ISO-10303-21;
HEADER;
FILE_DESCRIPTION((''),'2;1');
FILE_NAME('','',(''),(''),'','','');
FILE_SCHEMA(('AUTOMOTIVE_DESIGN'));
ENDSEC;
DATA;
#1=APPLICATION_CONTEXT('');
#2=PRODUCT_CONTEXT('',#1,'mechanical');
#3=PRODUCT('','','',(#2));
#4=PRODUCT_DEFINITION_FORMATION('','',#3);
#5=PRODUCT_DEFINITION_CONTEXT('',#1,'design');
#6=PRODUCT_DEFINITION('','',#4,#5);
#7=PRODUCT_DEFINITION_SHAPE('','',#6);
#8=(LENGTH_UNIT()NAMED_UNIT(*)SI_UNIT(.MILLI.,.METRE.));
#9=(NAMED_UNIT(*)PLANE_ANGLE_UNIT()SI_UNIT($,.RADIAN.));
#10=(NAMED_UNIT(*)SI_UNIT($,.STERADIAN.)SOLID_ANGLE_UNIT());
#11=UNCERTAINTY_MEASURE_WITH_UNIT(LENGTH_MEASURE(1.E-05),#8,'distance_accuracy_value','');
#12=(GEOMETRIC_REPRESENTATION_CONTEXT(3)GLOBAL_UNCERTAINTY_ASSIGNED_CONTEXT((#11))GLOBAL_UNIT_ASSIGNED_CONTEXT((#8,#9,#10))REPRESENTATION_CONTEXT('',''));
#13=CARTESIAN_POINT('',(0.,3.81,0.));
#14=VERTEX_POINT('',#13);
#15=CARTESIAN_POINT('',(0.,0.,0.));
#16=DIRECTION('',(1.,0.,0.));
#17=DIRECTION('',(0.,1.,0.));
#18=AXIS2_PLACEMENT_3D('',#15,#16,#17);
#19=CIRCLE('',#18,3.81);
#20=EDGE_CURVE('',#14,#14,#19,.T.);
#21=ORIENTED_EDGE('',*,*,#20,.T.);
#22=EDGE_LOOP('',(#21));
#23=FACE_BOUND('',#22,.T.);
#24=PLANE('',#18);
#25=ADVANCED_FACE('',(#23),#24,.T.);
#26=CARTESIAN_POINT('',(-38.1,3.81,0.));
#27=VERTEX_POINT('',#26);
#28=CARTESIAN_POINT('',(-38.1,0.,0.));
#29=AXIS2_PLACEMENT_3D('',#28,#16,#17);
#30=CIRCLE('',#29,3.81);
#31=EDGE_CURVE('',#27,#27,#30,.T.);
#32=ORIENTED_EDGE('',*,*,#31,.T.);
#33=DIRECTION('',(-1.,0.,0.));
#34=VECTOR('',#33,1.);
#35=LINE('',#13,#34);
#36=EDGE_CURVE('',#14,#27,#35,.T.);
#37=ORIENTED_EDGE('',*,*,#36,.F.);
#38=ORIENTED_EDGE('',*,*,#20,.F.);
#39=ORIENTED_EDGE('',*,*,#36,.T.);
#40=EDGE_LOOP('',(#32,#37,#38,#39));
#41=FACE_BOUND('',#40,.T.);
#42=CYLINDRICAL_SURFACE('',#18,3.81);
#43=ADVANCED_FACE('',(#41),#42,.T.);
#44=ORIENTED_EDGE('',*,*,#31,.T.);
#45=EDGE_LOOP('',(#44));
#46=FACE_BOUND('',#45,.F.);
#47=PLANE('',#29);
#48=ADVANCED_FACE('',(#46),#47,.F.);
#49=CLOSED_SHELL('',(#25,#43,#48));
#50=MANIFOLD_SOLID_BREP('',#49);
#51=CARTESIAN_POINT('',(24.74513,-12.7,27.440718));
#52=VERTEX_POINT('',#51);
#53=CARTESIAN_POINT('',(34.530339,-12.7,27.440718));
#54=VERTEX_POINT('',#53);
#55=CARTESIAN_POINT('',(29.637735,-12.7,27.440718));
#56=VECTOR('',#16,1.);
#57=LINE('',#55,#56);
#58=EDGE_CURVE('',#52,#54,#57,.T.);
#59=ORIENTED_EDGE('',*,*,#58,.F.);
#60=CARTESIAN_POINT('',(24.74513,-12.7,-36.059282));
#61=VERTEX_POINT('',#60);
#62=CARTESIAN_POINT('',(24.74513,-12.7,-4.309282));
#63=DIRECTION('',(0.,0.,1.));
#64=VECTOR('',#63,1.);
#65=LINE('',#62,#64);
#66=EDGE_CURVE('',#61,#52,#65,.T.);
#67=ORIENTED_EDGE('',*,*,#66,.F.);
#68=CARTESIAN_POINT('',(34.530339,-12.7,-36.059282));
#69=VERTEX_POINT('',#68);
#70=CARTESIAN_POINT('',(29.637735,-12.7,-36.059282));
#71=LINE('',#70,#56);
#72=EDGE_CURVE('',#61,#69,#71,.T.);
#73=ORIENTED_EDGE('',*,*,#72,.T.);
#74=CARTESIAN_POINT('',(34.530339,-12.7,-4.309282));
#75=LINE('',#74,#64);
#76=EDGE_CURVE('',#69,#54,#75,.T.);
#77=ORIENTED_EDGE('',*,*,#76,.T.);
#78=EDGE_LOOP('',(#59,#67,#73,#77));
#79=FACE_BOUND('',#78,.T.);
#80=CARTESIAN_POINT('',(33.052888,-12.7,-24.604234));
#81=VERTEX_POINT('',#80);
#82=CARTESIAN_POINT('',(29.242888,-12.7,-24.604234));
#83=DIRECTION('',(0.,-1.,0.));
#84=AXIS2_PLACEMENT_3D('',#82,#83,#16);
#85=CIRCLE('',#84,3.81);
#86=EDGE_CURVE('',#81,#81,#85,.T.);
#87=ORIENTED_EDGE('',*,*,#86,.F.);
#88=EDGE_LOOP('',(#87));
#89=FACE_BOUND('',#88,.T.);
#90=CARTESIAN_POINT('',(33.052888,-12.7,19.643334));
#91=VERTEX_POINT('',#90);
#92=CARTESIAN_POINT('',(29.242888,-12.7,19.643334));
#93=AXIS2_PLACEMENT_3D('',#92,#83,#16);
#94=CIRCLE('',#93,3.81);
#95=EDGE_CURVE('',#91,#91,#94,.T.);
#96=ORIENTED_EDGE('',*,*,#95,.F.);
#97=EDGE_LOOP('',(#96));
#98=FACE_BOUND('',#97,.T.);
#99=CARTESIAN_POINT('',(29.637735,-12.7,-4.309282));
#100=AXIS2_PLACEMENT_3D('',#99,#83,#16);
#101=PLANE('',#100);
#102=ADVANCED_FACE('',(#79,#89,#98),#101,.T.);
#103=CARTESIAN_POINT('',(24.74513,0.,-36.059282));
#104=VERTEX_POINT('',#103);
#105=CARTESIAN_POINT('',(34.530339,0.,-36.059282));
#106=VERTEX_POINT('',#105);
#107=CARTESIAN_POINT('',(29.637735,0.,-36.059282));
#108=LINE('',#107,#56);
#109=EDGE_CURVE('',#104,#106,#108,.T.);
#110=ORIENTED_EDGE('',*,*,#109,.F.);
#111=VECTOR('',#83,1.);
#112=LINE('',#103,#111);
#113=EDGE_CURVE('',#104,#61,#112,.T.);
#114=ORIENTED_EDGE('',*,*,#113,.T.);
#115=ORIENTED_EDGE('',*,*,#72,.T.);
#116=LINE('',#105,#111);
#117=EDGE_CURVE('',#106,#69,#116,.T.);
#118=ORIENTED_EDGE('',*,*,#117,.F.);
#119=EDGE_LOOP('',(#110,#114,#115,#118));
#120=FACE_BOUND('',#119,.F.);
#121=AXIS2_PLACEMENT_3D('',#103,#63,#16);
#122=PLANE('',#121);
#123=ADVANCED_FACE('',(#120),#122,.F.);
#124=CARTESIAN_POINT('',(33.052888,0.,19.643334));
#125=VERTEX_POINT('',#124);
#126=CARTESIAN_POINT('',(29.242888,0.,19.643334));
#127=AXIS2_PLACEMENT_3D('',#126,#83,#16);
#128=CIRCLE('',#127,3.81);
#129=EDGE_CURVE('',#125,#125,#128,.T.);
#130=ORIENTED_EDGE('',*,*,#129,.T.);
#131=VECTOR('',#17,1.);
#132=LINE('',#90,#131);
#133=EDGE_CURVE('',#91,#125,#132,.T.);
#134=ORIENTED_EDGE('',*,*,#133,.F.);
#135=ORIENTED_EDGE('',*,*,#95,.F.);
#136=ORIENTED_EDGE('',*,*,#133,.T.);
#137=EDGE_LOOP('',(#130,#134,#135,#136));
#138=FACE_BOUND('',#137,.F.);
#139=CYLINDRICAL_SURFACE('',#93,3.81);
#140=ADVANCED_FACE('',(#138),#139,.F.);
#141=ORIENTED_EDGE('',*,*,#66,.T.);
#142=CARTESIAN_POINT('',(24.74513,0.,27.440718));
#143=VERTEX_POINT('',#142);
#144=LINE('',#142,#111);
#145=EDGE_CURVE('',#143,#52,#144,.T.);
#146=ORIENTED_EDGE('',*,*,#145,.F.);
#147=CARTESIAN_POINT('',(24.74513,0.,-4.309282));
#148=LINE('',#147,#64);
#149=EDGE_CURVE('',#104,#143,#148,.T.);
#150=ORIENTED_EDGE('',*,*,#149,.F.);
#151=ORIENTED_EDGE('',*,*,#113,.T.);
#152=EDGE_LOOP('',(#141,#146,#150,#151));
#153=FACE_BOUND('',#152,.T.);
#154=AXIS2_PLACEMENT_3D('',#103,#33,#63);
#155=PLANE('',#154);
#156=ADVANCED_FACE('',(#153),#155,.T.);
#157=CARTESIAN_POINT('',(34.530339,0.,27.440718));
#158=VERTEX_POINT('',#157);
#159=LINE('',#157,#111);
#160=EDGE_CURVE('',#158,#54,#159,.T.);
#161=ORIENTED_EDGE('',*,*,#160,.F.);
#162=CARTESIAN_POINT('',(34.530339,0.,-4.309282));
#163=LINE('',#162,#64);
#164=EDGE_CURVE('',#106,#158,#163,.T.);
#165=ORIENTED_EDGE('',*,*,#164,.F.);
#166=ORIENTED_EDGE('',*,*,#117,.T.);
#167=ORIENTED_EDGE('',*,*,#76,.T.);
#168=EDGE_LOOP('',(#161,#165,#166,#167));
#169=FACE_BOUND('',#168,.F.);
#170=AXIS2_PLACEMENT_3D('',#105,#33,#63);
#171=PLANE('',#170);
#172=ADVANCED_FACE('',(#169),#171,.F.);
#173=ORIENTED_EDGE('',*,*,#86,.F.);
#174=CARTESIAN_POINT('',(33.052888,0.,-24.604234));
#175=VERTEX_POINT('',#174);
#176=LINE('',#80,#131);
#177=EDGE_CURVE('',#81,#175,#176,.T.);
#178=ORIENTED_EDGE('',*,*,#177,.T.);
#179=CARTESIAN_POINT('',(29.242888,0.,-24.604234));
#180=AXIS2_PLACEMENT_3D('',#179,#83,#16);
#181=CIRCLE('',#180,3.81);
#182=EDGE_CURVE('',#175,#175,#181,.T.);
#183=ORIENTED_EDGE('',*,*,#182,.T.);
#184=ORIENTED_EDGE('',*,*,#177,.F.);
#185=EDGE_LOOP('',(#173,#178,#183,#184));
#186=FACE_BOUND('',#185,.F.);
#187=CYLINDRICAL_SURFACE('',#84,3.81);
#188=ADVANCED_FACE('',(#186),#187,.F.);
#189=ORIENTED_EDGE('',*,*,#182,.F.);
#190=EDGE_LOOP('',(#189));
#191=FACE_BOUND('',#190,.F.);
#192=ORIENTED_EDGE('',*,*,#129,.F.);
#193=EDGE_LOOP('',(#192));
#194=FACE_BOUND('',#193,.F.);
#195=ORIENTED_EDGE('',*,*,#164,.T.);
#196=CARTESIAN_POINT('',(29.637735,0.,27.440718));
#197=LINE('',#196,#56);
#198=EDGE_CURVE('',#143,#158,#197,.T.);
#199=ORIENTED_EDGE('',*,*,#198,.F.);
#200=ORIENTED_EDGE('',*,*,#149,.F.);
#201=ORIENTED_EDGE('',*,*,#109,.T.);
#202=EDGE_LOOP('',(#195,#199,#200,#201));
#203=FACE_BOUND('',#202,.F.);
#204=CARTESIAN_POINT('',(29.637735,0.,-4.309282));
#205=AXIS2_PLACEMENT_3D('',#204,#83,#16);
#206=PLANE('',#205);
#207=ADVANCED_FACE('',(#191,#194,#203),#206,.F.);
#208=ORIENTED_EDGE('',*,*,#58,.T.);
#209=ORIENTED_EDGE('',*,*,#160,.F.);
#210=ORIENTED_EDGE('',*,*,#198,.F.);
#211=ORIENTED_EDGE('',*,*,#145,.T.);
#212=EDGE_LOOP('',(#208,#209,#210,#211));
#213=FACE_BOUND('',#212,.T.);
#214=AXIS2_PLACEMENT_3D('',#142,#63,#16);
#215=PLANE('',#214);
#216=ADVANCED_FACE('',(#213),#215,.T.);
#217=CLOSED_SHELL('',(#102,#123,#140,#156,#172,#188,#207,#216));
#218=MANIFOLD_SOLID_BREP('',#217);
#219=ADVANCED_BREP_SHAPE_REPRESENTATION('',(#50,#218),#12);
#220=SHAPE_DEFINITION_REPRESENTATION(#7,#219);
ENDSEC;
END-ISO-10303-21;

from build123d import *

# Parameters (mm, degrees)
F0_R     = 3.81
F1_DEPTH = 38.1
F2_W     = 9.785209
F2_H     = 63.5
F3_DEPTH = 12.7
F4_R     = 3.81
F5_DEPTH = 25.4


with BuildPart() as f1:
    # F0 (on Right) → F1 (new body)
    with BuildSketch(Plane.YZ):
        Circle(F0_R)
    extrude(amount=-F1_DEPTH)


with BuildPart() as f3:
    # F2 (on Front) → F3 (new body)
    with BuildSketch(Plane.XZ):
        with Locations((29.637735, -4.309282)):
            Rectangle(F2_W, F2_H)
    extrude(amount=F3_DEPTH)

    # F4 (on face) → F5 (cut)
    with BuildSketch(Plane.XZ.offset(12.7)):
        with Locations((29.242888, 19.643334)):
            Circle(F4_R)
        with Locations((29.242888, -24.604234)):
            Circle(F4_R)
    extrude(amount=-F5_DEPTH, mode=Mode.SUBTRACT)


solid = Compound([f1.part, f3.part])
